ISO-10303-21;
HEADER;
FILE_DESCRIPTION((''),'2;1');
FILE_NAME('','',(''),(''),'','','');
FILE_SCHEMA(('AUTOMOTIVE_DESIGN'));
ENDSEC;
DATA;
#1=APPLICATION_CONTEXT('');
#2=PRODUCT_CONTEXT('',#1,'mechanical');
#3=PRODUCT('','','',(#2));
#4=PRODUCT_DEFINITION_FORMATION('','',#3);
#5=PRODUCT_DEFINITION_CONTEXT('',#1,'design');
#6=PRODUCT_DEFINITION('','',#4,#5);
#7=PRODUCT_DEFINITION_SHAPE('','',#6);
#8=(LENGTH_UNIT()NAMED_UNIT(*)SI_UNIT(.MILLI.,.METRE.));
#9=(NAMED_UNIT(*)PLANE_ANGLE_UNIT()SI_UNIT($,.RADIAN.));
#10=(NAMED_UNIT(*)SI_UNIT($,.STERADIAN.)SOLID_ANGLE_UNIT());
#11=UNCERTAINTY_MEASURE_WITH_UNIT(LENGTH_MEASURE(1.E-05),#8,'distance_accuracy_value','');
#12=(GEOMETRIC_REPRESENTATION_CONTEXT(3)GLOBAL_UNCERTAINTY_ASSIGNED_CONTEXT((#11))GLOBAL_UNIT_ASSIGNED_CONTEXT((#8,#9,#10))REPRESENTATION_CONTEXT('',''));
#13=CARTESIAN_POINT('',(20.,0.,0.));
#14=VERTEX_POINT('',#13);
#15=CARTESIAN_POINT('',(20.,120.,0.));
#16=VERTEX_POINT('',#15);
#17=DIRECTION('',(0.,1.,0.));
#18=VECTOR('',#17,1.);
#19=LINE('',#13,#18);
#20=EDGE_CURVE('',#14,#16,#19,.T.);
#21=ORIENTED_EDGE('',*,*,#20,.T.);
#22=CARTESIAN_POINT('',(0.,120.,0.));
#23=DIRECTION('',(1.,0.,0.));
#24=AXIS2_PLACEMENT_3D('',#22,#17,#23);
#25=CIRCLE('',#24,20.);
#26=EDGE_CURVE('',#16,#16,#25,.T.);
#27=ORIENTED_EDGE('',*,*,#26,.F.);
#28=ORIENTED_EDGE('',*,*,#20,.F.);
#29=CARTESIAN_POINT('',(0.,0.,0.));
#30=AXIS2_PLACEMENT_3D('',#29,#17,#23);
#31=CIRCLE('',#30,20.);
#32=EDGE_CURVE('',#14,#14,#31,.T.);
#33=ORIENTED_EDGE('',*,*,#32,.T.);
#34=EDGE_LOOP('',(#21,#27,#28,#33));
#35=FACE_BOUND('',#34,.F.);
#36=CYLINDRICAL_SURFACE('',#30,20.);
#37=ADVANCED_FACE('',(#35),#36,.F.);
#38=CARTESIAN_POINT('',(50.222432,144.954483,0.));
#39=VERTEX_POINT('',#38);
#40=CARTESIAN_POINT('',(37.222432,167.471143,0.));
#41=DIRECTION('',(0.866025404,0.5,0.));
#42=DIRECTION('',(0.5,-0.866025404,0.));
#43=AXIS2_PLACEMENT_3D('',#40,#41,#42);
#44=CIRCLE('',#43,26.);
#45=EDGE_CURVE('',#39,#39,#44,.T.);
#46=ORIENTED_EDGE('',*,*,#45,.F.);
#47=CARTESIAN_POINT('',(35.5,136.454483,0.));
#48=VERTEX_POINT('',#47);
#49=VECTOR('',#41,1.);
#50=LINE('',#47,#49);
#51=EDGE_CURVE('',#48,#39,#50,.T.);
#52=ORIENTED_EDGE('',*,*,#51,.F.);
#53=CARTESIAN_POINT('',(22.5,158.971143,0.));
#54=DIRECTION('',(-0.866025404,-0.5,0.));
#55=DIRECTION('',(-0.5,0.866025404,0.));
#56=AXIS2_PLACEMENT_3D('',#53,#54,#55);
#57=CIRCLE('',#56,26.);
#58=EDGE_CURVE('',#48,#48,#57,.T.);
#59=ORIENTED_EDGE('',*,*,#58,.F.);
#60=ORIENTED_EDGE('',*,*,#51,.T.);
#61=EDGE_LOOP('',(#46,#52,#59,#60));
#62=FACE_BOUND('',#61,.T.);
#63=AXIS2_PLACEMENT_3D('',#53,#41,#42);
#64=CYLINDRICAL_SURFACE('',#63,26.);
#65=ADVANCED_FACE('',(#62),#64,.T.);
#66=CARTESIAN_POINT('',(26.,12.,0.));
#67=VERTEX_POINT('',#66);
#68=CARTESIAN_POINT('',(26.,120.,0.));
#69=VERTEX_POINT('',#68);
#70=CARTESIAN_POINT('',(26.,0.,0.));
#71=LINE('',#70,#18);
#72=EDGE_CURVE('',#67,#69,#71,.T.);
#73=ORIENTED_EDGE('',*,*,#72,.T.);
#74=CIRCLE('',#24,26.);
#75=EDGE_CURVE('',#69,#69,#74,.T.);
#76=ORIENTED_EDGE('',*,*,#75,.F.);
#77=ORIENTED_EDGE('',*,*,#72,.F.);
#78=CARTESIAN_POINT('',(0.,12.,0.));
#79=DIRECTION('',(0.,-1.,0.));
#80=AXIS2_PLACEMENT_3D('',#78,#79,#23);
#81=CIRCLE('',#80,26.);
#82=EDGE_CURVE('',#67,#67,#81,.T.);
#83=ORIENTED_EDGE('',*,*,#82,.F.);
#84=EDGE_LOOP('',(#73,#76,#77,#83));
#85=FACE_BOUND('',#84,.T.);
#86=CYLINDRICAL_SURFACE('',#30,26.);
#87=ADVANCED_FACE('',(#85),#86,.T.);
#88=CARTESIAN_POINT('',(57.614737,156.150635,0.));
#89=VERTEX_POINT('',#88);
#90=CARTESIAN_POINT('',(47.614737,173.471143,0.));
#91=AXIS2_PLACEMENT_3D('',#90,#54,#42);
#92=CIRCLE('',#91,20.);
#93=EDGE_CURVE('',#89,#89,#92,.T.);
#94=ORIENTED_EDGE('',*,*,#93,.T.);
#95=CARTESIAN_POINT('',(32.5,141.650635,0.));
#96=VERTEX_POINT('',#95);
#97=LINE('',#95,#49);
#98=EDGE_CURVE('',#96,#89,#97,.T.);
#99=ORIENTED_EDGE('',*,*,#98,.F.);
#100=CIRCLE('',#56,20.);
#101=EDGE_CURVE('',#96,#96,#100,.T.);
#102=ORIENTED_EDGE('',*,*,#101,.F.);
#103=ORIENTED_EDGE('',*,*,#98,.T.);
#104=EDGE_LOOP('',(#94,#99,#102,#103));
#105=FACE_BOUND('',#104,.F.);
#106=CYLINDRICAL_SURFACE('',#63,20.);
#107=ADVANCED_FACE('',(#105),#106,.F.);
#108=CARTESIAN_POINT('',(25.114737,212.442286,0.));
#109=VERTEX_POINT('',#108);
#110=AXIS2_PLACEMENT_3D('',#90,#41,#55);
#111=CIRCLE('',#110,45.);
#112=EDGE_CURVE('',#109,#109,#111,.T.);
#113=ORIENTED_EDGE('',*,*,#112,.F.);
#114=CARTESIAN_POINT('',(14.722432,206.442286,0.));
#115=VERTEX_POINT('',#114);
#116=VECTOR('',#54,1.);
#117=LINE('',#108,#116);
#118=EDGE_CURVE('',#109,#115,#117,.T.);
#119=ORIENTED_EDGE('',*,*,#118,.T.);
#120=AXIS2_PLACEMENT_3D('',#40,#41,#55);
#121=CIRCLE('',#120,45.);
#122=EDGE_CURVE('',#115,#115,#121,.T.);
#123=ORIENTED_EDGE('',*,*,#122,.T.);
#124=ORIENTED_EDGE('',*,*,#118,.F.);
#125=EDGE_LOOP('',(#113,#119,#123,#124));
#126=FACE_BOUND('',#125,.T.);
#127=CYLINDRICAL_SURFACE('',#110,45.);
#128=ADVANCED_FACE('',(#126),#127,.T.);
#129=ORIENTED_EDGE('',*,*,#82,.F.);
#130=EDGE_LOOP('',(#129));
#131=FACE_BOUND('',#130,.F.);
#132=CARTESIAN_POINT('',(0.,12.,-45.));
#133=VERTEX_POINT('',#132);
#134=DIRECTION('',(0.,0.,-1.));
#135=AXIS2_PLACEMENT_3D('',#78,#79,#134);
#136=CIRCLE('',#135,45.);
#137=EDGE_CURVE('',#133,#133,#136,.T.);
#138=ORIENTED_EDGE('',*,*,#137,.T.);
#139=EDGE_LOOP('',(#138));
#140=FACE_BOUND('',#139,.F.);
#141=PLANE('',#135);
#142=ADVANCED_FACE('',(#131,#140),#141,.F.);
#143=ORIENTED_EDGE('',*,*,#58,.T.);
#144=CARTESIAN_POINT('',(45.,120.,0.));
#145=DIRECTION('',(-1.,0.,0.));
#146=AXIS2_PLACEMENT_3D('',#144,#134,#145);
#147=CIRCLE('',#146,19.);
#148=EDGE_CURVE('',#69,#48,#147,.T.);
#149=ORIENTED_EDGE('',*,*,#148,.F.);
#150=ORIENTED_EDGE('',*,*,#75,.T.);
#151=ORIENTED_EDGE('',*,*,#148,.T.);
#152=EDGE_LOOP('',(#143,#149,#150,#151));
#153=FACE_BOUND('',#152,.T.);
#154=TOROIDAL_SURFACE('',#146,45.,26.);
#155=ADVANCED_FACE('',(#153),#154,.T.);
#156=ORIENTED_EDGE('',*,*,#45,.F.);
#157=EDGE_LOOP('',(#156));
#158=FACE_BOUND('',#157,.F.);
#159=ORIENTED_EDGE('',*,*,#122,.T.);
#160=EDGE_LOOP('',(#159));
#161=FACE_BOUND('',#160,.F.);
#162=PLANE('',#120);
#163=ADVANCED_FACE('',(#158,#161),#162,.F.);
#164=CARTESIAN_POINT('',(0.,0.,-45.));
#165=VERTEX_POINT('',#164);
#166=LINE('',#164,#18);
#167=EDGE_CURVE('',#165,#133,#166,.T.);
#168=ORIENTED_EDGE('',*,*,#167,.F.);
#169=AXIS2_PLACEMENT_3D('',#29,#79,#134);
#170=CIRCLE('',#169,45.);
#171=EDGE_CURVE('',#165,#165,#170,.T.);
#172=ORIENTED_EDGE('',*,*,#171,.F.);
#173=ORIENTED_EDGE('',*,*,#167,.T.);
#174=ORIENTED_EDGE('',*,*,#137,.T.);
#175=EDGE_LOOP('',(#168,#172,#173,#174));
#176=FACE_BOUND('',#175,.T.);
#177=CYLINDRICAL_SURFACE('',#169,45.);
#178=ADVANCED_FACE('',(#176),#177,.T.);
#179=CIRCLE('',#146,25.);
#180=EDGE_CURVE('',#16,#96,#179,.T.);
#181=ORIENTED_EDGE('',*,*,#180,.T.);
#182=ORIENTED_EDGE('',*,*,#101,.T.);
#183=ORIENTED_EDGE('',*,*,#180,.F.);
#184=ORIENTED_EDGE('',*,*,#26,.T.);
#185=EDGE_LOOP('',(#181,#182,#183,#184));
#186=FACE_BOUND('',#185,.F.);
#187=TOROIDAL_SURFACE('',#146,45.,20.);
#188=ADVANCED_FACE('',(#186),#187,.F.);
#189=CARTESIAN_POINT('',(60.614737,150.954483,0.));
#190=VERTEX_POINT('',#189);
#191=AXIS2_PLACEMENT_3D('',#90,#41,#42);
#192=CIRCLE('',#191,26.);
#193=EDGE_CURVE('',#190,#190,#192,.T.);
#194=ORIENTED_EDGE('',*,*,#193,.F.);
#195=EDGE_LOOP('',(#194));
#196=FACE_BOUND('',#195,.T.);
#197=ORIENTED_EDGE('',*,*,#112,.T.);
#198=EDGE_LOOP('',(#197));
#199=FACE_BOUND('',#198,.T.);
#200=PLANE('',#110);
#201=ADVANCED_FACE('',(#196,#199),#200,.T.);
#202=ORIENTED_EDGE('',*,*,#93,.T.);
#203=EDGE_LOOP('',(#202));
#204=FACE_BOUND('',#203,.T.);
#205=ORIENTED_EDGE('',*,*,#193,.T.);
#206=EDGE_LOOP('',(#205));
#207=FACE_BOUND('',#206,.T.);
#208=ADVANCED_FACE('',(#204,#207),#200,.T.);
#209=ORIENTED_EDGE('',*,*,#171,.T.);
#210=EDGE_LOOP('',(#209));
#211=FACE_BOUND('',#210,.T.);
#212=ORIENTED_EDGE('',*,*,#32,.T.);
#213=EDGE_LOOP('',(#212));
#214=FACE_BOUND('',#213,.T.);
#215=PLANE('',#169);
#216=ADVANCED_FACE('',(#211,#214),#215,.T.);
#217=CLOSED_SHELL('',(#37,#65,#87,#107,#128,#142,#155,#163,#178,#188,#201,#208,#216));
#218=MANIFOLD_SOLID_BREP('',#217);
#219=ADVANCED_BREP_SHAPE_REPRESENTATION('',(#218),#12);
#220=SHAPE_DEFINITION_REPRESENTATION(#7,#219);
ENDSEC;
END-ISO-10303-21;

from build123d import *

# Parameters (mm, degrees)
SKIZZE2_R                       = 26
SKIZZE2_R_2                     = 20
SKIZZE3_R                       = 45
SKIZZE3_R_2                     = 26
AUFSATZ_LINEAR_AUSTRAGEN1_DEPTH = 12
SKIZZE4_R                       = 45
SKIZZE4_R_2                     = 20
AUFSATZ_LINEAR_AUSTRAGEN2_DEPTH = 12


with BuildPart() as part:
    # Austragung-Dünn1: sweep along a path in Skizze1
    with BuildLine(Plane.XY) as austragung_d_nn1_path:
        Line((0, 0), (0, 120))
        ThreePointArc((0, 120), (6.02885683, 142.5), (22.5, 158.97114317))
        Line((22.5, 158.97114317), (47.61473671, 173.47114317))
    # Skizze2 → Austragung-Dünn1 (sweep)
    with BuildSketch(Plane(origin=(0, 0, 0), x_dir=(1, 0, 0), z_dir=(0, 1, 0))):
        Circle(SKIZZE2_R)
        Circle(SKIZZE2_R_2, mode=Mode.SUBTRACT)
    sweep(path=austragung_d_nn1_path.line)

    # Skizze3 → Aufsatz-Linear austragen1 (add)
    with BuildSketch(Plane.XZ):
        with Locations(Location((0, 0, 0), (0, 0, 270))):  # turned: the seam where the file's is
            Circle(SKIZZE3_R)
        with Locations(Location((0, 0, 0), (0, 0, 270))):  # turned: the seam where the file's is
            Circle(SKIZZE3_R_2, mode=Mode.SUBTRACT)
    extrude(amount=-AUFSATZ_LINEAR_AUSTRAGEN1_DEPTH)

    # Skizze4 → Aufsatz-Linear austragen2 (add)
    with BuildSketch(Plane(origin=(110.826260937, 63.985571585, 0), x_dir=(0, 0, -1), z_dir=(0.866025404, 0.5, 0))):
        with Locations(Location((0, 126.423048454, 0), (0, 0, 90))):  # turned: the seam where the file's is
            Circle(SKIZZE4_R)
        with Locations(Location((0, 126.423048454, 0), (0, 0, 90))):  # turned: the seam where the file's is
            Circle(SKIZZE4_R_2, mode=Mode.SUBTRACT)
    extrude(amount=-AUFSATZ_LINEAR_AUSTRAGEN2_DEPTH)


solid = part.part
